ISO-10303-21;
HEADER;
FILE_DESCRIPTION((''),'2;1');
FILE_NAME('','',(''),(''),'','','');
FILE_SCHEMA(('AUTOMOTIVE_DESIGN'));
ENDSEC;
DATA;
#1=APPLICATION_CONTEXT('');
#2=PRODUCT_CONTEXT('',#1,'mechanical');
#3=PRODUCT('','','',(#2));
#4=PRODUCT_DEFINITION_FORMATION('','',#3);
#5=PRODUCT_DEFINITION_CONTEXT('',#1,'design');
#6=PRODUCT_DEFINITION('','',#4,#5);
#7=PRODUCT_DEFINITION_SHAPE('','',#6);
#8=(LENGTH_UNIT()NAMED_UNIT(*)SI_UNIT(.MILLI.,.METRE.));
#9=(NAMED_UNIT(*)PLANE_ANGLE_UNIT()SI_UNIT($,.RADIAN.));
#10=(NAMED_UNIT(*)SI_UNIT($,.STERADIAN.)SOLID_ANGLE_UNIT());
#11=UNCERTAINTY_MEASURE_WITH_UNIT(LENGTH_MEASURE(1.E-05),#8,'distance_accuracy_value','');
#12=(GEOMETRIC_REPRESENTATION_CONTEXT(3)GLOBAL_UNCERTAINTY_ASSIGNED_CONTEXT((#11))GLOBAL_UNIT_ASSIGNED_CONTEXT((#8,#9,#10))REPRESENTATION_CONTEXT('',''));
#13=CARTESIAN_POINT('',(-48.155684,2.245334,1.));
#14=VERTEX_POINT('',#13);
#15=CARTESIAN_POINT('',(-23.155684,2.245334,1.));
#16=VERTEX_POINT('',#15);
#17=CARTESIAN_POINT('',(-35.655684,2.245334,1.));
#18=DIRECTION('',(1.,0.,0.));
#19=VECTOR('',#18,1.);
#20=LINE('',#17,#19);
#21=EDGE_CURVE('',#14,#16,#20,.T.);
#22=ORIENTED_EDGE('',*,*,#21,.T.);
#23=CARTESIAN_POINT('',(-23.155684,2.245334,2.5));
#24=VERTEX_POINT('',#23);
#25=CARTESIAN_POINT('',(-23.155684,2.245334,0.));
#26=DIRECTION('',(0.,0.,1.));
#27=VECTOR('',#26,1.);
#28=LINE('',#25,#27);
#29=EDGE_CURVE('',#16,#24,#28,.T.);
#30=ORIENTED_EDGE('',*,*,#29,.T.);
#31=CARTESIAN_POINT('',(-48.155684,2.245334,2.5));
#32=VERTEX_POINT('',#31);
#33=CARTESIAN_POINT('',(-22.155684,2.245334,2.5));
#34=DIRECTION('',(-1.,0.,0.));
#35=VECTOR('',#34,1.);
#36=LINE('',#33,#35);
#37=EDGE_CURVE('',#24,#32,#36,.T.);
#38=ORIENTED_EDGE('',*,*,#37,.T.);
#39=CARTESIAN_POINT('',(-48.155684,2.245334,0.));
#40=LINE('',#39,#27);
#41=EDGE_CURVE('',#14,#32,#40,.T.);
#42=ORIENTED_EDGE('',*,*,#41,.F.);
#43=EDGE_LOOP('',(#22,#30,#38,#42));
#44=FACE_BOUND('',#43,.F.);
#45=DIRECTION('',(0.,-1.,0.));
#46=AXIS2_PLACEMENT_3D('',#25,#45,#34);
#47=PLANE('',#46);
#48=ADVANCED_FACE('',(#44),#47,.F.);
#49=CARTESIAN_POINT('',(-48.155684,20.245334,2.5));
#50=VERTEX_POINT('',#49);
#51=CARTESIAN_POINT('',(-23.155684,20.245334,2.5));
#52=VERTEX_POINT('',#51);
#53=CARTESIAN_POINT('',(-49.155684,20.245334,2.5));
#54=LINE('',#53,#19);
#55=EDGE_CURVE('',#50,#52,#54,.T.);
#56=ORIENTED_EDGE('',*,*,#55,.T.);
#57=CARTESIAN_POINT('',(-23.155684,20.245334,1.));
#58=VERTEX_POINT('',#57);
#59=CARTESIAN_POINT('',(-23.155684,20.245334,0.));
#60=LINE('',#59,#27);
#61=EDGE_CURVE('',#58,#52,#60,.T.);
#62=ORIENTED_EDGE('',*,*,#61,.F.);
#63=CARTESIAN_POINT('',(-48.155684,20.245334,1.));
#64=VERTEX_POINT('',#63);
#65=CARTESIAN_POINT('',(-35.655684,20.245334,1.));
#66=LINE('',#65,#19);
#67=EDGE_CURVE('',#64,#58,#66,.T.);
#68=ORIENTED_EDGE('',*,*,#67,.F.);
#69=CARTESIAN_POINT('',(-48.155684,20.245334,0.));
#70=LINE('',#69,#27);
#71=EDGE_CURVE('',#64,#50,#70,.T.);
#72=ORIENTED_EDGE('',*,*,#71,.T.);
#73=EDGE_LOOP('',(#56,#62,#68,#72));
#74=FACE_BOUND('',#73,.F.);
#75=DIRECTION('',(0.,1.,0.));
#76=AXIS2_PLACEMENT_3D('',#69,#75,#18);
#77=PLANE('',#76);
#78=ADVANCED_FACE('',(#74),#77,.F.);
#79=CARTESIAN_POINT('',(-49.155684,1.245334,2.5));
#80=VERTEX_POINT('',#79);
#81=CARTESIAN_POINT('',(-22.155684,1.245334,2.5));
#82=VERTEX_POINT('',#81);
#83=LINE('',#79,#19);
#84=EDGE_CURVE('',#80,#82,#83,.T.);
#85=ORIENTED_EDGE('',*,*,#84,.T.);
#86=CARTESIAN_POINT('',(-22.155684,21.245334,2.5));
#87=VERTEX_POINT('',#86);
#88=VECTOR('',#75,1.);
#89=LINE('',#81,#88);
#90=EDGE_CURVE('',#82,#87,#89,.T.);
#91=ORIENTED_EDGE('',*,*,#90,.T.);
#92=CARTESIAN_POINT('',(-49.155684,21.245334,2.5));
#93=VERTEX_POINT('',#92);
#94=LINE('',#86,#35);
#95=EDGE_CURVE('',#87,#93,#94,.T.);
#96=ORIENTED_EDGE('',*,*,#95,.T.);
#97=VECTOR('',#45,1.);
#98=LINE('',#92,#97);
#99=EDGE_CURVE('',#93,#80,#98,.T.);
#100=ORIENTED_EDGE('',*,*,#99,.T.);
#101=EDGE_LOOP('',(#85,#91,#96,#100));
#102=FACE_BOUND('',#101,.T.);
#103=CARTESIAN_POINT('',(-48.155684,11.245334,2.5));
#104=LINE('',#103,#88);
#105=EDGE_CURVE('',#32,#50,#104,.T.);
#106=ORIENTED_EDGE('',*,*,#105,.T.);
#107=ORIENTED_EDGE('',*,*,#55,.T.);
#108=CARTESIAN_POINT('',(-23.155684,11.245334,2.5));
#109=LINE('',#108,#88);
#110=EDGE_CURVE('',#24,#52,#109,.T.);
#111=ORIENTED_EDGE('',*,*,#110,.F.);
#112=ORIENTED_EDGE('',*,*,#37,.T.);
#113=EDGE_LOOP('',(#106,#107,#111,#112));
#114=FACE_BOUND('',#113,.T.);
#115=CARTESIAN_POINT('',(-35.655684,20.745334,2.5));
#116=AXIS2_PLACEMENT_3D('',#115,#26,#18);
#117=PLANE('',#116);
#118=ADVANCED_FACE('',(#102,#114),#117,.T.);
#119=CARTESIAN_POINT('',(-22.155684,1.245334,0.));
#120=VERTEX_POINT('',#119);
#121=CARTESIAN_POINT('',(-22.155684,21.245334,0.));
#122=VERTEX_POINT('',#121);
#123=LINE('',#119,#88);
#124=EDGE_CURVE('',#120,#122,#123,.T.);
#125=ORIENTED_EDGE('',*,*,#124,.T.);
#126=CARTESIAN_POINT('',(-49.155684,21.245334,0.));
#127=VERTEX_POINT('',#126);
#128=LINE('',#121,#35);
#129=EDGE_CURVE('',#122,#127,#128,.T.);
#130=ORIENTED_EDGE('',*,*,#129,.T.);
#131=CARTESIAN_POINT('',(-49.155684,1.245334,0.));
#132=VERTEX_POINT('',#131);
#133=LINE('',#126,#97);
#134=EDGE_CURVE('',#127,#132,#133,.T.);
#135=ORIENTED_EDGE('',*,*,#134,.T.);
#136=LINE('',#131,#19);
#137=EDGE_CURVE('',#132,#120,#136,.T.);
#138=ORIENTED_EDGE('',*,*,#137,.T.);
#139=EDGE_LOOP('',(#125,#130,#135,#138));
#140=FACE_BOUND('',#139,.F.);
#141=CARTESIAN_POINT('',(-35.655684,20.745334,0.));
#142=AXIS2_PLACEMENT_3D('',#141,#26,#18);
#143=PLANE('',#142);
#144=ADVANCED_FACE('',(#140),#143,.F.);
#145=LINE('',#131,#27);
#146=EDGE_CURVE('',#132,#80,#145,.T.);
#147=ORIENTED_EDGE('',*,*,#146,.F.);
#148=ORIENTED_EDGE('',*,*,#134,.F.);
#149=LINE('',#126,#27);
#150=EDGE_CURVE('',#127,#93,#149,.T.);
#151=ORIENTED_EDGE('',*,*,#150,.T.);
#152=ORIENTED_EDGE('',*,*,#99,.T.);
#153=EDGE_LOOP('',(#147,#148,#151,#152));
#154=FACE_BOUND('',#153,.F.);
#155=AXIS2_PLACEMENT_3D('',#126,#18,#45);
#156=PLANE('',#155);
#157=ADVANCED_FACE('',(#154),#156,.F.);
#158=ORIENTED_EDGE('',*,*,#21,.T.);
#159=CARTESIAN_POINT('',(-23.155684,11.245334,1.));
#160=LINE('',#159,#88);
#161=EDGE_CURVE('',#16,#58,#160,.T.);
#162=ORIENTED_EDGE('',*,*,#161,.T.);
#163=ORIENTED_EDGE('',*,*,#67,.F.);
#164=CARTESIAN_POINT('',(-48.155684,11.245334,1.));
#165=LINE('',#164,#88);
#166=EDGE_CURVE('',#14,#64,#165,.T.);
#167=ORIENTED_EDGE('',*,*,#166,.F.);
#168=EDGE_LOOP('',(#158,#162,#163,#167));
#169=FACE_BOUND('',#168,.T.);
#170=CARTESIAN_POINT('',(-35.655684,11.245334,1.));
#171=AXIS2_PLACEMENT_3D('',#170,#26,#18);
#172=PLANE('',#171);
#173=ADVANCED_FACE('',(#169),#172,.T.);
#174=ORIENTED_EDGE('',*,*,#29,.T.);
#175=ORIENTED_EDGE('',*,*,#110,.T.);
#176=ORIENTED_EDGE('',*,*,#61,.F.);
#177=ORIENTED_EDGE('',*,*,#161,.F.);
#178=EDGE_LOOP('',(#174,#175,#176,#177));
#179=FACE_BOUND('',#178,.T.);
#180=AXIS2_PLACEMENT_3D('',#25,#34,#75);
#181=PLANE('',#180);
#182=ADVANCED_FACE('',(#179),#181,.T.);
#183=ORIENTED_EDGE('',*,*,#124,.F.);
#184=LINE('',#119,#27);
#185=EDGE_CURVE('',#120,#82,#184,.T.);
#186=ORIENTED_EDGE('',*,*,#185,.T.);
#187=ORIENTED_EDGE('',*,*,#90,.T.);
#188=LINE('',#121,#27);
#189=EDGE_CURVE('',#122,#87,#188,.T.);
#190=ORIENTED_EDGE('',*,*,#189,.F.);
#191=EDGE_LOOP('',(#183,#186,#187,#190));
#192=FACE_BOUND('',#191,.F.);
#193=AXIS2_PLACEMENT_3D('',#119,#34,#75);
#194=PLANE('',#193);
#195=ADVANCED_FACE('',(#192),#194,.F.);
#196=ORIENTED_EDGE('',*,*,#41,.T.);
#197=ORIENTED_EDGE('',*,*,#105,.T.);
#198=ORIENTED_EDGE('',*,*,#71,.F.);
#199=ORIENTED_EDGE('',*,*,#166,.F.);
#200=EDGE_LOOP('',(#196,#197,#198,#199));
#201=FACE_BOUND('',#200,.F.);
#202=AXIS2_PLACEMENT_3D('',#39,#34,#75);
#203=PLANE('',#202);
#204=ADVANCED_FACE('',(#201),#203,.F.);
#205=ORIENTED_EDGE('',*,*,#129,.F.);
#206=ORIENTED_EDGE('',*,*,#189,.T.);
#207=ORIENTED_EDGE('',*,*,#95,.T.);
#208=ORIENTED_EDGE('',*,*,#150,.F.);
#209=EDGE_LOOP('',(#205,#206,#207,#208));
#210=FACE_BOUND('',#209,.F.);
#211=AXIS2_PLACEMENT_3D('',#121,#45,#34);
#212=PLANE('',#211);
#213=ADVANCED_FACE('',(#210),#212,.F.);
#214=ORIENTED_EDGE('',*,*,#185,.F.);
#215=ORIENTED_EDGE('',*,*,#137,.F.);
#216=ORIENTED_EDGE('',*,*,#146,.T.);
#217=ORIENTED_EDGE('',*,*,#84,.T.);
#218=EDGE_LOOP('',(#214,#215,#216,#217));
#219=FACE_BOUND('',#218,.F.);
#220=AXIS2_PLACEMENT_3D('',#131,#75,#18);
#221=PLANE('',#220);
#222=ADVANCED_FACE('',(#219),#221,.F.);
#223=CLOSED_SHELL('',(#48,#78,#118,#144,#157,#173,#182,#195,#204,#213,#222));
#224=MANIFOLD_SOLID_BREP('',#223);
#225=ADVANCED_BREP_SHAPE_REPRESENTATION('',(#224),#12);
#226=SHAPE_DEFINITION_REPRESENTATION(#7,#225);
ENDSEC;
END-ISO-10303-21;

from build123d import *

# Parameters (mm, degrees)
F0_W     = 25
F0_H     = 18
F1_DEPTH = 1
F0_W_2   = 1
F2_DEPTH = 2.5


with BuildPart() as f1:
    # F0 (on Top) → F1 (new body)
    with BuildSketch(Plane.XY):
        with Locations((-35.655684, 11.245334)):
            Rectangle(F0_W, F0_H)
    extrude(amount=F1_DEPTH)

    # F0 (on Top) → F2 (join)
    with BuildSketch(Plane.XY):
        Polygon((-49.155684, 20.245334), (-48.155684, 20.245334), (-23.155684, 20.245334), (-22.155684, 20.245334), (-22.155684, 21.245334), (-49.155684, 21.245334), align=None)
        Polygon((-23.155684, 2.245334), (-48.155684, 2.245334), (-49.155684, 2.245334), (-49.155684, 1.245334), (-22.155684, 1.245334), (-22.155684, 2.245334), align=None)
        with Locations((-48.655684, 11.245334)):
            Rectangle(F0_W_2, F0_H)
        with Locations((-22.655684, 11.245334)):
            Rectangle(F0_W_2, F0_H)
    extrude(amount=F2_DEPTH)


solid = f1.part
